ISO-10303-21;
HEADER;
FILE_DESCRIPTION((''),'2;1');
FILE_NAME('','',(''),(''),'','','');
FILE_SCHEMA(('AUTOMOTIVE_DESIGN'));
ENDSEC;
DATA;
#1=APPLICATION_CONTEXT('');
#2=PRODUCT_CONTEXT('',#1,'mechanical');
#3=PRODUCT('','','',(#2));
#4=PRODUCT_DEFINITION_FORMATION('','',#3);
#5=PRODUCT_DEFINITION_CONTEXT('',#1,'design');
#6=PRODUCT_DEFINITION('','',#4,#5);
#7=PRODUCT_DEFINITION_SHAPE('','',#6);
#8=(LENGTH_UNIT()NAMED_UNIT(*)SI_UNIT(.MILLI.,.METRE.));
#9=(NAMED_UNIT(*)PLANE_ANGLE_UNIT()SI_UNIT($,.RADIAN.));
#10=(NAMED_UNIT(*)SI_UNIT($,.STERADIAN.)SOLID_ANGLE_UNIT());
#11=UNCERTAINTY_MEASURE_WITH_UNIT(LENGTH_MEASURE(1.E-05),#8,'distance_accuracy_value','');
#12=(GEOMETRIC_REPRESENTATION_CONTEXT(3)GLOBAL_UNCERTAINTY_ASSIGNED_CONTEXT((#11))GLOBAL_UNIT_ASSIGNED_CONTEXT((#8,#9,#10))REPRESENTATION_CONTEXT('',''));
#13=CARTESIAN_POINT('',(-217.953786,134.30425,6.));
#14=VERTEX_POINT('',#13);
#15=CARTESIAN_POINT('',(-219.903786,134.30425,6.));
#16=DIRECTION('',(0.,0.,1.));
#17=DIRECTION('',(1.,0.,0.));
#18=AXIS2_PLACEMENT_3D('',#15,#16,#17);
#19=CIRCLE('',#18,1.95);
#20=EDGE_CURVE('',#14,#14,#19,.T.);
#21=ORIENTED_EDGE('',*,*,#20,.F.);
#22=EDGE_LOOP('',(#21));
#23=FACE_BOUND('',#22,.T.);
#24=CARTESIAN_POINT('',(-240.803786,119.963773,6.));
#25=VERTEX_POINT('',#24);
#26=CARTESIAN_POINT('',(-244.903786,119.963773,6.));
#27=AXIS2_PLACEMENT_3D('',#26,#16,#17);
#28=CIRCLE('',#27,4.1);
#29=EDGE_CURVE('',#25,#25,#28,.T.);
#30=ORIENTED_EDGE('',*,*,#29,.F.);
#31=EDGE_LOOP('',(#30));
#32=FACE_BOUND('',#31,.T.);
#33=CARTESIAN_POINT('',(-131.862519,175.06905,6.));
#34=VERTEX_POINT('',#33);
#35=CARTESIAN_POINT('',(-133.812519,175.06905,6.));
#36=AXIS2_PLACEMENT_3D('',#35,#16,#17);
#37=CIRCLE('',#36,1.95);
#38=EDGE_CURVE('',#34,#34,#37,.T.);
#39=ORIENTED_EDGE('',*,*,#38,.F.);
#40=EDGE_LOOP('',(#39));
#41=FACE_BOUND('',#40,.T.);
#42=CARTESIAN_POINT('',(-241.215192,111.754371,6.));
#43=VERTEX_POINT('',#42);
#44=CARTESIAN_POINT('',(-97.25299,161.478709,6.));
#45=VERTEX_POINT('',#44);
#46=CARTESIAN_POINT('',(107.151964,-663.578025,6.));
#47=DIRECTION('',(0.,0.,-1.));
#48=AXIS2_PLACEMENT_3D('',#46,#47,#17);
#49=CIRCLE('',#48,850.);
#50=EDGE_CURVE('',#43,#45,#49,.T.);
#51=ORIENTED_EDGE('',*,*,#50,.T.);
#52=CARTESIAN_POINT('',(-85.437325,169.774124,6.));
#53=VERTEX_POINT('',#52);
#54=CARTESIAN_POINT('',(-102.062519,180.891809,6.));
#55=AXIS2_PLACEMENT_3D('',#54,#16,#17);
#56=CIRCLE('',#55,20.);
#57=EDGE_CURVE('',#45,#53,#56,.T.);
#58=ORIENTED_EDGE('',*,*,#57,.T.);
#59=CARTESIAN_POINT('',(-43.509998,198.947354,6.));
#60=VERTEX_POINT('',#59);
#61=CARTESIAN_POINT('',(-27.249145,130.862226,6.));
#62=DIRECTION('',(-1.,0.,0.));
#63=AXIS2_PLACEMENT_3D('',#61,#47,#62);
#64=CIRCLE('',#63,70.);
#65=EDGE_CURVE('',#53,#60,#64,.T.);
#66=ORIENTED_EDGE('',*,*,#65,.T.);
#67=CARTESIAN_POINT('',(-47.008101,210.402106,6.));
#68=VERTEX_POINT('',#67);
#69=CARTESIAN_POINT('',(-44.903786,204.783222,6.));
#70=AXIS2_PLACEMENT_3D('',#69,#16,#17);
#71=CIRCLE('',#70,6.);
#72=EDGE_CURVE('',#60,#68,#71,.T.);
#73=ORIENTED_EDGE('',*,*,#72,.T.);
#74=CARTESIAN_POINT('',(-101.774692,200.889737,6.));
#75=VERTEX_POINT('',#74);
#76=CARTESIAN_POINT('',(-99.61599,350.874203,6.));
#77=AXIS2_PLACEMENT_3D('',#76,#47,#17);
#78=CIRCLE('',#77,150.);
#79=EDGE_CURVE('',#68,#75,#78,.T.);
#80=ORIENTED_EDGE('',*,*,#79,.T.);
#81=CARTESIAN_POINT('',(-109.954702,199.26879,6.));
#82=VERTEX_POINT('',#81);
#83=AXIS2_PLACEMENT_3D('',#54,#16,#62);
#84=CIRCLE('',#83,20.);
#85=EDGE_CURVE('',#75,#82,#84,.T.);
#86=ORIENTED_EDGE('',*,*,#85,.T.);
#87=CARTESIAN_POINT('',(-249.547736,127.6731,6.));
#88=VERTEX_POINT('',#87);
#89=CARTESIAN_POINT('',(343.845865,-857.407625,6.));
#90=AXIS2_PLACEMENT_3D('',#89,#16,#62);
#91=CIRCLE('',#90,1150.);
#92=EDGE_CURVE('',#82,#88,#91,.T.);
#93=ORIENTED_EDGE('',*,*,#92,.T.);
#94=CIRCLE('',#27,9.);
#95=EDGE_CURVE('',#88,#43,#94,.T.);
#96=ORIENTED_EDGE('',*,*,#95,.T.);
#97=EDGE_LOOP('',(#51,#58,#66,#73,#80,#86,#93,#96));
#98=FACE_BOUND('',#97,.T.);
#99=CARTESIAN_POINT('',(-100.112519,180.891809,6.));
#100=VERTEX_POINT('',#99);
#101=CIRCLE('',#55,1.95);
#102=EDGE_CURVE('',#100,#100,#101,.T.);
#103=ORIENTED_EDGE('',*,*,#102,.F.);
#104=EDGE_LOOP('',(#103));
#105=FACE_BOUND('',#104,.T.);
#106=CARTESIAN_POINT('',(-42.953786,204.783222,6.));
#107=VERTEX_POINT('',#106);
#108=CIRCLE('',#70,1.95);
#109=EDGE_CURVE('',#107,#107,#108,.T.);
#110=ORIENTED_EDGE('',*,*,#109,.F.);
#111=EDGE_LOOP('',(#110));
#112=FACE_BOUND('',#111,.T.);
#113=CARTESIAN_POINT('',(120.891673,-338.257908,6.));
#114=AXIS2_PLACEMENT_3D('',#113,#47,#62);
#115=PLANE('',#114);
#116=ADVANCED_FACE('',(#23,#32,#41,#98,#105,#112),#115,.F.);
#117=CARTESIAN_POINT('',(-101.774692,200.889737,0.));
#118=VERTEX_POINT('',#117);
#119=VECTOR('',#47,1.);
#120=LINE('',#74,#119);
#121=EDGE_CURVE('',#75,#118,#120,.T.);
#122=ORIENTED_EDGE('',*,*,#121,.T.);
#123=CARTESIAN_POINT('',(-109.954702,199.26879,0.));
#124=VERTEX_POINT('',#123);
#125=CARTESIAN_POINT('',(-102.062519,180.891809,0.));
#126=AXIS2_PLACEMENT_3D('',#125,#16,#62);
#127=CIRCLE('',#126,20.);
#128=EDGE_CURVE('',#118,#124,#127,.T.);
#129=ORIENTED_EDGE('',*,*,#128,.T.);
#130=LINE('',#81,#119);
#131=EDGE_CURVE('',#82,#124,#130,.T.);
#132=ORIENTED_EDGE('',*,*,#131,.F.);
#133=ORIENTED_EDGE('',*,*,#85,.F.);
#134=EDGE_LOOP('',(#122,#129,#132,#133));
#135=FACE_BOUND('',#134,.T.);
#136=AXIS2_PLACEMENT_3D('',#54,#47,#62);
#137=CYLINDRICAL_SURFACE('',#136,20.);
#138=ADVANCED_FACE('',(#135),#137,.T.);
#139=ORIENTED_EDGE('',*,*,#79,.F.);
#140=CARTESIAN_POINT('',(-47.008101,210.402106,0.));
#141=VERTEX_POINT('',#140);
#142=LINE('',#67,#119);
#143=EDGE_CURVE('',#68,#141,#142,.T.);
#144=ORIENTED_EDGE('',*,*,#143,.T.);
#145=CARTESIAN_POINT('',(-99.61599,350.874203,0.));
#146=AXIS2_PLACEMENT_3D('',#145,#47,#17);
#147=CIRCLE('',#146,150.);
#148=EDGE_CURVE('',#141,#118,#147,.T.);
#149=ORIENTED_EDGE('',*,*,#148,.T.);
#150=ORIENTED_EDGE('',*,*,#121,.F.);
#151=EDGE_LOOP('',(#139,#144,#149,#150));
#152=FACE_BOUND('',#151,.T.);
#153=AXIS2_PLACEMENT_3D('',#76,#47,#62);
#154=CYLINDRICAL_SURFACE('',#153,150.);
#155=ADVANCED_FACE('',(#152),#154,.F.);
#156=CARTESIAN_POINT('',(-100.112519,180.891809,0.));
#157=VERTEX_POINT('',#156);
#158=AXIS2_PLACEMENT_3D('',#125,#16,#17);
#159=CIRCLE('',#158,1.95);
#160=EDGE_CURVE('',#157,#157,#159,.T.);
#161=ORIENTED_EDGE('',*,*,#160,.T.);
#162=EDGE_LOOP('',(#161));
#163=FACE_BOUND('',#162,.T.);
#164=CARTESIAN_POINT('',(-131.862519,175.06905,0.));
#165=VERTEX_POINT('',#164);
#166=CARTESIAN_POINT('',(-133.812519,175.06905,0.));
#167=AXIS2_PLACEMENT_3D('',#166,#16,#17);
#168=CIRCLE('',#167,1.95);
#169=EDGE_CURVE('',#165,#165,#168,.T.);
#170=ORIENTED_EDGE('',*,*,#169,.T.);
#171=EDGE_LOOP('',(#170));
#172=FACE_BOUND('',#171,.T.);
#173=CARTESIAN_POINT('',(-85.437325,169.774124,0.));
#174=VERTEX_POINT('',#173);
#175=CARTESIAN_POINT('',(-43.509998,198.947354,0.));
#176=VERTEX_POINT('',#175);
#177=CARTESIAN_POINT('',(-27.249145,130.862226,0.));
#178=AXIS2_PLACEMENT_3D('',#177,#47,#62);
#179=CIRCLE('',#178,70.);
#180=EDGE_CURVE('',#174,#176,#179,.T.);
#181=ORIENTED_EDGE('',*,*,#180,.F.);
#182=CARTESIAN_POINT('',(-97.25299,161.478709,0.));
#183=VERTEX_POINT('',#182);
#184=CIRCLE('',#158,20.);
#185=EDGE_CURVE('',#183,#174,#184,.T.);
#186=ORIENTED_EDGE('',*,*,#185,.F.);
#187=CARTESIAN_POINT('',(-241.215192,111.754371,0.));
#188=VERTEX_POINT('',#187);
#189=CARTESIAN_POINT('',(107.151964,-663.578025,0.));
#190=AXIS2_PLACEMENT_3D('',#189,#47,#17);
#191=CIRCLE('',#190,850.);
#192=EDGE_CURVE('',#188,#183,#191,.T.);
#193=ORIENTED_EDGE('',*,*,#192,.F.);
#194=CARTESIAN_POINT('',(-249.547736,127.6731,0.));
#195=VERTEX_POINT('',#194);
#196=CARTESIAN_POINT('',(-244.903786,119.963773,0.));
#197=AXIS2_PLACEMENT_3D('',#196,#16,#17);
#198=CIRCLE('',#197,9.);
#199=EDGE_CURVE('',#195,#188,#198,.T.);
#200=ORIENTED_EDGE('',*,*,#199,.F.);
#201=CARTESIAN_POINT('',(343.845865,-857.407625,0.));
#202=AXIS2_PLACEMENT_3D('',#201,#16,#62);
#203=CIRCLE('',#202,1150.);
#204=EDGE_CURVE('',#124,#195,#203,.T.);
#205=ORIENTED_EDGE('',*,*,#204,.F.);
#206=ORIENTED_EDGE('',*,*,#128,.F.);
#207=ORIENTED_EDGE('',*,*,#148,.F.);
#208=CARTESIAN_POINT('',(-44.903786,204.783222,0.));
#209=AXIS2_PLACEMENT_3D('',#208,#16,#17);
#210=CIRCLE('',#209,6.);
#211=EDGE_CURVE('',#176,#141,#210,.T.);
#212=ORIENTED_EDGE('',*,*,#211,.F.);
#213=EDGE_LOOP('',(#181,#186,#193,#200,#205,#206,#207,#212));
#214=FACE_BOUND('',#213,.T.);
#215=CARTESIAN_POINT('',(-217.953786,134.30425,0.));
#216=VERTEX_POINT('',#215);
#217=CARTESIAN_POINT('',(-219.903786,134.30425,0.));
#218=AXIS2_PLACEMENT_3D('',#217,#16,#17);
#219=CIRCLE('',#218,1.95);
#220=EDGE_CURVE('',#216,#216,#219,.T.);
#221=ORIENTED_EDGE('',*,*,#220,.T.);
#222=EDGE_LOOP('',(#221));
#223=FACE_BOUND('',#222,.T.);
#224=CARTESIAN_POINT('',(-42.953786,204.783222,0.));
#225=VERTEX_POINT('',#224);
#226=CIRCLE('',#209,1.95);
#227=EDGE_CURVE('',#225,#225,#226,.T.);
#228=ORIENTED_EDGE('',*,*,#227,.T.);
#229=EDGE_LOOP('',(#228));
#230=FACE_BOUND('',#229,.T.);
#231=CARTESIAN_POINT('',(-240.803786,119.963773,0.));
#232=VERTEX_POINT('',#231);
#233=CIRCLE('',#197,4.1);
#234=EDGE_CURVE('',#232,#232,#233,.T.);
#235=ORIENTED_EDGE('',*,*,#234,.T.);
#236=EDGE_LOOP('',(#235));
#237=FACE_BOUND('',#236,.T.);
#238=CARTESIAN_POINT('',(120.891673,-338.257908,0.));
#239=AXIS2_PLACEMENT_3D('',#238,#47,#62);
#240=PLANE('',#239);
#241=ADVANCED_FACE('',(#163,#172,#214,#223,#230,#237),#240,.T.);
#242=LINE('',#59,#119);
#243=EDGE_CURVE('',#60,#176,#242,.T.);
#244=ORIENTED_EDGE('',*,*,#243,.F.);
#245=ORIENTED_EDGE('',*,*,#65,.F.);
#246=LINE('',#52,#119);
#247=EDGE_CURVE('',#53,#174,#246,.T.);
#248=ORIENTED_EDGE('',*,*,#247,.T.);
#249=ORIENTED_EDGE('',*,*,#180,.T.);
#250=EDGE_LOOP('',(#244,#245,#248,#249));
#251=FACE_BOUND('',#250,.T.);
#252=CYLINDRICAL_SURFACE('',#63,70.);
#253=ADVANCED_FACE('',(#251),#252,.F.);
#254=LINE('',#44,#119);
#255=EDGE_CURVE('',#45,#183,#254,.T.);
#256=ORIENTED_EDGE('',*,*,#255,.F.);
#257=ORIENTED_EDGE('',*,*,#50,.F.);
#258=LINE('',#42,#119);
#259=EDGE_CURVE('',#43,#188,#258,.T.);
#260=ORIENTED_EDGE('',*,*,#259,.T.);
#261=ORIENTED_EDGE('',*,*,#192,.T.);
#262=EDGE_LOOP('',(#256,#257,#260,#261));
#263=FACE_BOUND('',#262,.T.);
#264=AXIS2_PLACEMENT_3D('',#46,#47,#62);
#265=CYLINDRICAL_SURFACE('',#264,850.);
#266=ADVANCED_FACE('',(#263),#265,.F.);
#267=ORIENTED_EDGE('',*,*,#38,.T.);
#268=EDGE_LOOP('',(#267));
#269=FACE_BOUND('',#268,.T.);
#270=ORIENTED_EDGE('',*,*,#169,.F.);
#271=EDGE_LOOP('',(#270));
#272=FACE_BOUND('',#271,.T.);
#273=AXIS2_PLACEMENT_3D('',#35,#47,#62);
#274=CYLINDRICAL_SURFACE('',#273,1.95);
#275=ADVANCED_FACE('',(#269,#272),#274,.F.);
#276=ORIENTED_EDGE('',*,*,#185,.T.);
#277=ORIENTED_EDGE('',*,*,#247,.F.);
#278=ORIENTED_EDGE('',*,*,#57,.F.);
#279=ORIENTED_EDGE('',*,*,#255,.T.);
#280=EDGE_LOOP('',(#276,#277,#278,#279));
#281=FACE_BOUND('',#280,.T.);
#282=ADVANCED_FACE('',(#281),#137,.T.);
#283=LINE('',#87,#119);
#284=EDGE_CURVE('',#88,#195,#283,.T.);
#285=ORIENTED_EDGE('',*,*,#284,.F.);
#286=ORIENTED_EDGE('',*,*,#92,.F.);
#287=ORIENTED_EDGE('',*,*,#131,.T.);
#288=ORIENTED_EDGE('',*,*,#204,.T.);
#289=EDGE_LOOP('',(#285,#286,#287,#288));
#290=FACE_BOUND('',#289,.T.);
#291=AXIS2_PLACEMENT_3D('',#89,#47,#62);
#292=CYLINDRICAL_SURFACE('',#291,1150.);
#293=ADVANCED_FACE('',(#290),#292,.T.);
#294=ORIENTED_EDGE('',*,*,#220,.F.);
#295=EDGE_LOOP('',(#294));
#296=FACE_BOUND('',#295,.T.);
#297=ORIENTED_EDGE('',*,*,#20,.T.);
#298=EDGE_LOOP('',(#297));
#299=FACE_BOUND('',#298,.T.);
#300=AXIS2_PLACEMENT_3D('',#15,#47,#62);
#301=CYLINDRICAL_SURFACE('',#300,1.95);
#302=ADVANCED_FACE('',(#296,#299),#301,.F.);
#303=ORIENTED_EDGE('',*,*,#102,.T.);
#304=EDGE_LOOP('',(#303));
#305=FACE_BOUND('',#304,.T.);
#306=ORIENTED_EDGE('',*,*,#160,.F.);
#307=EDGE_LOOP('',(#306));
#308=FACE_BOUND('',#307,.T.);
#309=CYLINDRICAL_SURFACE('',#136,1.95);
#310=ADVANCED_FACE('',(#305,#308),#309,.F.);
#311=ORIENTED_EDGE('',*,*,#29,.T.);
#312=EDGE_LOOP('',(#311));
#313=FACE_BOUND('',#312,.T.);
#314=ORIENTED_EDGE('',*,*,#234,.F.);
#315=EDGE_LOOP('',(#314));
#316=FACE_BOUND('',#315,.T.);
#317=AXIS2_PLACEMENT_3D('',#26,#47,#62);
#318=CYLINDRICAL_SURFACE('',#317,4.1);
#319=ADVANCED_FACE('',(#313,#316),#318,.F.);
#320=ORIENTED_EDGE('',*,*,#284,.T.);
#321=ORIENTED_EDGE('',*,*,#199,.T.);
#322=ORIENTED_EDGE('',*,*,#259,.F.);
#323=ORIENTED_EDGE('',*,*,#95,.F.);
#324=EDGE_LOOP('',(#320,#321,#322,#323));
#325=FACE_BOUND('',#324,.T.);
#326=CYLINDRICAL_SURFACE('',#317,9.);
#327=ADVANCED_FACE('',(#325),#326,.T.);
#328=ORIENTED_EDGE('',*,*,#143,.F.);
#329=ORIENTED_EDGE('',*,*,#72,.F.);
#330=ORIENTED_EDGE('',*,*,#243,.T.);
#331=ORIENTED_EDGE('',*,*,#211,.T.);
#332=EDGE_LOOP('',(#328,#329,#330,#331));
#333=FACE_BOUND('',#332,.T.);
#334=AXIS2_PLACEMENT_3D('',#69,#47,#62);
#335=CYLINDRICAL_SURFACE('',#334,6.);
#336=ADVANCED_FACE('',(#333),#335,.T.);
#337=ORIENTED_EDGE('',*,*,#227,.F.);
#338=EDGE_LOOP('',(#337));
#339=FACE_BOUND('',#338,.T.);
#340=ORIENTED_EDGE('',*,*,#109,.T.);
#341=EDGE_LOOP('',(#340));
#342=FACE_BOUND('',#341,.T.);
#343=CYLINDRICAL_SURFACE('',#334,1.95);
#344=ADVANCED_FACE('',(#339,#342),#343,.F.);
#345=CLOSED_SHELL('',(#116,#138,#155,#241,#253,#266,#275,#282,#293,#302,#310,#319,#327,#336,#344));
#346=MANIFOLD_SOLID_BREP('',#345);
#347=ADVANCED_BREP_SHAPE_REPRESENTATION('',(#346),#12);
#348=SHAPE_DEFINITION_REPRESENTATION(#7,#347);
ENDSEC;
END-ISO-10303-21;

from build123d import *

# Parameters (mm, degrees)
SKETCH1_R           = 1.95
SKETCH1_R_2         = 4.1
BOSS_EXTRUDE1_DEPTH = 6


with BuildPart() as part:
    # Sketch1 → Boss-Extrude1 (new body)
    with BuildSketch(Plane.XY):
        with BuildLine():
            ThreePointArc((-249.547735749, 127.673100022), (-252.877471407, 115.79000474), (-241.215192405, 111.754370772))
            ThreePointArc((-241.215192405, 111.754370772), (-170.350070338, 139.847528819), (-97.252990361, 161.478708942))
            ThreePointArc((-97.252990361, 161.478708942), (-90.570551573, 164.523097822), (-85.437324527, 169.774123618))
            ThreePointArc((-85.437324527, 169.774123618), (-67.229564843, 188.321481613), (-43.509998386, 198.94735421))
            ThreePointArc((-43.509998386, 198.94735421), (-39.165402052, 206.535635416), (-47.008101374, 210.402106199))
            ThreePointArc((-47.008101374, 210.402106199), (-73.946915163, 203.086860773), (-101.774691803, 200.889737355))
            ThreePointArc((-101.774691803, 200.889737355), (-105.950118059, 200.510334794), (-109.954702491, 199.268789688))
            ThreePointArc((-109.954702491, 199.268789688), (-180.973525069, 165.854124566), (-249.547735749, 127.673100022))
        make_face()
        with Locations((-102.0625187, 180.89180857)):
            Circle(SKETCH1_R, mode=Mode.SUBTRACT)
        with Locations((-44.903785826, 204.783222318)):
            Circle(SKETCH1_R, mode=Mode.SUBTRACT)
        with Locations((-244.903785826, 119.963772612)):
            Circle(SKETCH1_R_2, mode=Mode.SUBTRACT)
        with Locations((-219.903785826, 134.304249979)):
            Circle(SKETCH1_R, mode=Mode.SUBTRACT)
        with Locations((-133.8125187, 175.069049716)):
            Circle(SKETCH1_R, mode=Mode.SUBTRACT)
    extrude(amount=BOSS_EXTRUDE1_DEPTH)


solid = part.part
